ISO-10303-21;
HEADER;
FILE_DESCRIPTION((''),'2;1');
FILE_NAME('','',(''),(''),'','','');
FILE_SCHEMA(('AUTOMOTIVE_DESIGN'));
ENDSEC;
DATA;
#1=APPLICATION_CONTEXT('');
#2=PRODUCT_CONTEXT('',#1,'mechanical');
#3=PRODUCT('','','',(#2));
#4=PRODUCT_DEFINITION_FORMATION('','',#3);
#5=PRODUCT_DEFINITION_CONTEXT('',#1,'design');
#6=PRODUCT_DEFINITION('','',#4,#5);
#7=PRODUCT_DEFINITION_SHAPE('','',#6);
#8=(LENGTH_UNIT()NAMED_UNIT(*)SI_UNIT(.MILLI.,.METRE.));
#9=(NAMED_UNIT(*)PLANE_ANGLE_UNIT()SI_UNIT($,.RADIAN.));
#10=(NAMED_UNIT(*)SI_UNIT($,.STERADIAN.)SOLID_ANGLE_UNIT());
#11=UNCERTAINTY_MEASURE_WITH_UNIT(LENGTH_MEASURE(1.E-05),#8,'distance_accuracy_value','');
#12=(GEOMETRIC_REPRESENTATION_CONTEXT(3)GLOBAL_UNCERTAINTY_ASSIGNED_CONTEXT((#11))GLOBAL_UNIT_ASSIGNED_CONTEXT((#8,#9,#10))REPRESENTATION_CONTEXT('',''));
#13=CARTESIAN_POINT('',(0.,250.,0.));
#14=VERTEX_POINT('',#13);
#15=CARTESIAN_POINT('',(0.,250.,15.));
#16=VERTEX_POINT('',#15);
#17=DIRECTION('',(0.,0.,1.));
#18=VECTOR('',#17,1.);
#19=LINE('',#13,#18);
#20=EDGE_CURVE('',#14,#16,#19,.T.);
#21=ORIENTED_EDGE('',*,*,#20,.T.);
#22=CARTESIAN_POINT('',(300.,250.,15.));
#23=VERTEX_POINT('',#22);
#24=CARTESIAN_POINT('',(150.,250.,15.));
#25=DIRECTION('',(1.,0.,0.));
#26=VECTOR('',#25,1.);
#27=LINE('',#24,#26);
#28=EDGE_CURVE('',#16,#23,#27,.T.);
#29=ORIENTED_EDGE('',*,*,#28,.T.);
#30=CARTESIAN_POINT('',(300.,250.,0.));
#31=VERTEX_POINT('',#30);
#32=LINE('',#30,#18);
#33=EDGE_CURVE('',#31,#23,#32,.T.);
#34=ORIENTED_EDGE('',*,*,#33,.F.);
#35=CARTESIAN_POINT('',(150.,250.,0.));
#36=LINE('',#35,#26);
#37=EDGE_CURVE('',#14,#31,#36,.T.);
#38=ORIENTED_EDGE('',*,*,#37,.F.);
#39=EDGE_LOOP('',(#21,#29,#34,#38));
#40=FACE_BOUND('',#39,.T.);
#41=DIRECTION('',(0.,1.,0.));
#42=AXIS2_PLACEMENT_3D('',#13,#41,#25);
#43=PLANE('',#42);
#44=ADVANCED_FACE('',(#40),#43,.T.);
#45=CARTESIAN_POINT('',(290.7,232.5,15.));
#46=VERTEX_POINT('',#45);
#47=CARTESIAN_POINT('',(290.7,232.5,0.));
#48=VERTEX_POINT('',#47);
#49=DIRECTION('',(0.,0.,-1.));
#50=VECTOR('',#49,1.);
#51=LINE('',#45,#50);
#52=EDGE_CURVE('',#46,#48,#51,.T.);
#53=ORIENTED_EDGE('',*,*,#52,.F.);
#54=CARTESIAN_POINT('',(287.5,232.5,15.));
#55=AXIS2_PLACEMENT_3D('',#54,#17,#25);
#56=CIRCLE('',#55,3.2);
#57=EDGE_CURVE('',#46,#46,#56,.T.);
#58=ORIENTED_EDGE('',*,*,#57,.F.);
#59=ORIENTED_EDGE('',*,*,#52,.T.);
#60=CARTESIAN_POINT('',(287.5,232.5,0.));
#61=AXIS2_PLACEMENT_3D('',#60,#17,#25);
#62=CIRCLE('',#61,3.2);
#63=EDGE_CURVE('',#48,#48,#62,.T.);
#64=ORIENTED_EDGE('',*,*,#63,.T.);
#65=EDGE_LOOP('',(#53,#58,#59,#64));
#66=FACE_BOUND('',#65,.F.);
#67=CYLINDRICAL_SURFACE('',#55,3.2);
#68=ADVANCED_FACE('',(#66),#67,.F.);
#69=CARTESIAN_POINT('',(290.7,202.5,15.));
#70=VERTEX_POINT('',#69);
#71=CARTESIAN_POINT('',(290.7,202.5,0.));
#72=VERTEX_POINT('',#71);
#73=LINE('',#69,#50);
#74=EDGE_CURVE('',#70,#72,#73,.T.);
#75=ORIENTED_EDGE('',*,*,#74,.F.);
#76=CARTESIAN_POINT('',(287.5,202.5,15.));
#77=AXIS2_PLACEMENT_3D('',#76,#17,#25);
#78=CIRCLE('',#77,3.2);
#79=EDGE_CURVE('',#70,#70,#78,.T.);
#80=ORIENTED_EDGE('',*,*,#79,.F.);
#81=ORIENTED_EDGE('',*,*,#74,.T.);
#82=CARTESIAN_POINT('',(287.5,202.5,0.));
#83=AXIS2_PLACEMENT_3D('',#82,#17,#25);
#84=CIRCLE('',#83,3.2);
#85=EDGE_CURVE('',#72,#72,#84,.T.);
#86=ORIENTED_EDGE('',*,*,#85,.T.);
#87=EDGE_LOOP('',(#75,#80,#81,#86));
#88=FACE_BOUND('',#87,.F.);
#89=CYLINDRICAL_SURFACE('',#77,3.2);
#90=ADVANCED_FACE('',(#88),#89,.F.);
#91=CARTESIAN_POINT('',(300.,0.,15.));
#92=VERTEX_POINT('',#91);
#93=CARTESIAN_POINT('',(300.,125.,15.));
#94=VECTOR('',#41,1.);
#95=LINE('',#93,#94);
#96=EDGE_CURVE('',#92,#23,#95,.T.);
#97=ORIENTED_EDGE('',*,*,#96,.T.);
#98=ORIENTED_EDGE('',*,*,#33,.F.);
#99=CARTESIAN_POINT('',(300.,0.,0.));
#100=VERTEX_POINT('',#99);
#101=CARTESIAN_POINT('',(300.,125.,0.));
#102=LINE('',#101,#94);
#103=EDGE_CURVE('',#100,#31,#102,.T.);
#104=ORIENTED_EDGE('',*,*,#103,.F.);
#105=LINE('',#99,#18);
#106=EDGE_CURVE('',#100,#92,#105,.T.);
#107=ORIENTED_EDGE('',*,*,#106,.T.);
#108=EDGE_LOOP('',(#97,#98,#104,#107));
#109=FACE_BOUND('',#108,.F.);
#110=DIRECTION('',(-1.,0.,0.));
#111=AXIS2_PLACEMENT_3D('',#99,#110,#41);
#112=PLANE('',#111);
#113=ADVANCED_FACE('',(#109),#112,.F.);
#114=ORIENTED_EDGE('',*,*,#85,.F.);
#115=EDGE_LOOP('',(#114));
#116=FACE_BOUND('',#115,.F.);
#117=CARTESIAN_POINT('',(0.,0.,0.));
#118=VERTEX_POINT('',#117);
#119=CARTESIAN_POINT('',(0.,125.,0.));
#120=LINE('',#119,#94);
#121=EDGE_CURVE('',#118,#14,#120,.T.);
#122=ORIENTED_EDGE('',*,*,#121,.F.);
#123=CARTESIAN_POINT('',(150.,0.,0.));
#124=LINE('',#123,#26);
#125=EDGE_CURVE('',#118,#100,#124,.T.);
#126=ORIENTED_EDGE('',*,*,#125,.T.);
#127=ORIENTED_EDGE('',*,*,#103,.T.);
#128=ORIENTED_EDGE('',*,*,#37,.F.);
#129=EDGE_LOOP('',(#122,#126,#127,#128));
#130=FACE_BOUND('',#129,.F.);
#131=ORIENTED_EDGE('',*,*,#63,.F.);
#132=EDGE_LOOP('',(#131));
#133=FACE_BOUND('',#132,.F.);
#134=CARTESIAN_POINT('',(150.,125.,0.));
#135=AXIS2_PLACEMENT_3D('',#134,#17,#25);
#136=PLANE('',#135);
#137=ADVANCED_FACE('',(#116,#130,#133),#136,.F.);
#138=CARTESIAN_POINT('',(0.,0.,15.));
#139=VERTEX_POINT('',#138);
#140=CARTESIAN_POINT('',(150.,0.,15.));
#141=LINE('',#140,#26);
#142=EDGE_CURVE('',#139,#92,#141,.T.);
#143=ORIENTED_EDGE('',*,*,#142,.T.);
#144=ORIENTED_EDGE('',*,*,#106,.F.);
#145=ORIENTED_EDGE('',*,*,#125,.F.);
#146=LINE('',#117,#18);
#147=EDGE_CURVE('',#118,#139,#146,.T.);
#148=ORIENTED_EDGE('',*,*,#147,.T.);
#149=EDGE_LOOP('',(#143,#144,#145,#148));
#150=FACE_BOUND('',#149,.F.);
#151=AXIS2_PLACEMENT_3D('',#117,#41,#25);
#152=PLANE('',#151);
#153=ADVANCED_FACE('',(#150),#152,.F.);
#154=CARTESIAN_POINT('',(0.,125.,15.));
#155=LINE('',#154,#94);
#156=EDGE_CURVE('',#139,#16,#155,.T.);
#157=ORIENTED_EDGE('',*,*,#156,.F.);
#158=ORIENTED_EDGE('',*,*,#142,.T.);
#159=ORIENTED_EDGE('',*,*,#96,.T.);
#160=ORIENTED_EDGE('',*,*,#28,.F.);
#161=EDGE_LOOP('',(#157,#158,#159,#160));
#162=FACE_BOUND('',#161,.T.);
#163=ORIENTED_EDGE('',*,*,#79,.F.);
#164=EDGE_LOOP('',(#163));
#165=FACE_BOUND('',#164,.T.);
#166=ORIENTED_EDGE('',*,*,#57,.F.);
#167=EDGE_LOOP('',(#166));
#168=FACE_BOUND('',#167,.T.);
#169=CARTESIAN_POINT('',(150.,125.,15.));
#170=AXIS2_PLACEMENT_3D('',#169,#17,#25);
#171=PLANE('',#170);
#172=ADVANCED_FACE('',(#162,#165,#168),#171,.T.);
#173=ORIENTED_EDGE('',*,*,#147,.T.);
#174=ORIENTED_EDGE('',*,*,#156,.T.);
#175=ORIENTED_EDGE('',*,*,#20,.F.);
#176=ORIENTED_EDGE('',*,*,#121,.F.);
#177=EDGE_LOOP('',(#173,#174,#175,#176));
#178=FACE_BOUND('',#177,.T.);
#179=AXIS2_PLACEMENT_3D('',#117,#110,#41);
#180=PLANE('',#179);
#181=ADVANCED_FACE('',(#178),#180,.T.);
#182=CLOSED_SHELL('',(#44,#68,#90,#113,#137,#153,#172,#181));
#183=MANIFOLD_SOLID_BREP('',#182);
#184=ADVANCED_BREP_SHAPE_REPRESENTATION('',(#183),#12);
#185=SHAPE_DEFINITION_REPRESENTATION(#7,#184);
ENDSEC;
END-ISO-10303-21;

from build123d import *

# Parameters (mm, degrees)
SKETCH_W     = 300
SKETCH_H     = 250
PAD_DEPTH    = 15
SKETCH001_R  = 3.2
POCKET_DEPTH = 15.001


with BuildPart() as part:
    # Sketch → Pad (new body)
    with BuildSketch(Plane.XY):
        with Locations((150, 125)):
            Rectangle(SKETCH_W, SKETCH_H)
    extrude(amount=PAD_DEPTH)

    # Sketch001 (on Face6 of Pad) → Pocket (cut, through all)
    with BuildSketch(Plane.XY.offset(15)):
        with Locations((287.5, 232.5)):
            Circle(SKETCH001_R)
        with Locations((287.5, 202.5)):
            Circle(SKETCH001_R)
    extrude(amount=-POCKET_DEPTH, mode=Mode.SUBTRACT)


solid = part.part
